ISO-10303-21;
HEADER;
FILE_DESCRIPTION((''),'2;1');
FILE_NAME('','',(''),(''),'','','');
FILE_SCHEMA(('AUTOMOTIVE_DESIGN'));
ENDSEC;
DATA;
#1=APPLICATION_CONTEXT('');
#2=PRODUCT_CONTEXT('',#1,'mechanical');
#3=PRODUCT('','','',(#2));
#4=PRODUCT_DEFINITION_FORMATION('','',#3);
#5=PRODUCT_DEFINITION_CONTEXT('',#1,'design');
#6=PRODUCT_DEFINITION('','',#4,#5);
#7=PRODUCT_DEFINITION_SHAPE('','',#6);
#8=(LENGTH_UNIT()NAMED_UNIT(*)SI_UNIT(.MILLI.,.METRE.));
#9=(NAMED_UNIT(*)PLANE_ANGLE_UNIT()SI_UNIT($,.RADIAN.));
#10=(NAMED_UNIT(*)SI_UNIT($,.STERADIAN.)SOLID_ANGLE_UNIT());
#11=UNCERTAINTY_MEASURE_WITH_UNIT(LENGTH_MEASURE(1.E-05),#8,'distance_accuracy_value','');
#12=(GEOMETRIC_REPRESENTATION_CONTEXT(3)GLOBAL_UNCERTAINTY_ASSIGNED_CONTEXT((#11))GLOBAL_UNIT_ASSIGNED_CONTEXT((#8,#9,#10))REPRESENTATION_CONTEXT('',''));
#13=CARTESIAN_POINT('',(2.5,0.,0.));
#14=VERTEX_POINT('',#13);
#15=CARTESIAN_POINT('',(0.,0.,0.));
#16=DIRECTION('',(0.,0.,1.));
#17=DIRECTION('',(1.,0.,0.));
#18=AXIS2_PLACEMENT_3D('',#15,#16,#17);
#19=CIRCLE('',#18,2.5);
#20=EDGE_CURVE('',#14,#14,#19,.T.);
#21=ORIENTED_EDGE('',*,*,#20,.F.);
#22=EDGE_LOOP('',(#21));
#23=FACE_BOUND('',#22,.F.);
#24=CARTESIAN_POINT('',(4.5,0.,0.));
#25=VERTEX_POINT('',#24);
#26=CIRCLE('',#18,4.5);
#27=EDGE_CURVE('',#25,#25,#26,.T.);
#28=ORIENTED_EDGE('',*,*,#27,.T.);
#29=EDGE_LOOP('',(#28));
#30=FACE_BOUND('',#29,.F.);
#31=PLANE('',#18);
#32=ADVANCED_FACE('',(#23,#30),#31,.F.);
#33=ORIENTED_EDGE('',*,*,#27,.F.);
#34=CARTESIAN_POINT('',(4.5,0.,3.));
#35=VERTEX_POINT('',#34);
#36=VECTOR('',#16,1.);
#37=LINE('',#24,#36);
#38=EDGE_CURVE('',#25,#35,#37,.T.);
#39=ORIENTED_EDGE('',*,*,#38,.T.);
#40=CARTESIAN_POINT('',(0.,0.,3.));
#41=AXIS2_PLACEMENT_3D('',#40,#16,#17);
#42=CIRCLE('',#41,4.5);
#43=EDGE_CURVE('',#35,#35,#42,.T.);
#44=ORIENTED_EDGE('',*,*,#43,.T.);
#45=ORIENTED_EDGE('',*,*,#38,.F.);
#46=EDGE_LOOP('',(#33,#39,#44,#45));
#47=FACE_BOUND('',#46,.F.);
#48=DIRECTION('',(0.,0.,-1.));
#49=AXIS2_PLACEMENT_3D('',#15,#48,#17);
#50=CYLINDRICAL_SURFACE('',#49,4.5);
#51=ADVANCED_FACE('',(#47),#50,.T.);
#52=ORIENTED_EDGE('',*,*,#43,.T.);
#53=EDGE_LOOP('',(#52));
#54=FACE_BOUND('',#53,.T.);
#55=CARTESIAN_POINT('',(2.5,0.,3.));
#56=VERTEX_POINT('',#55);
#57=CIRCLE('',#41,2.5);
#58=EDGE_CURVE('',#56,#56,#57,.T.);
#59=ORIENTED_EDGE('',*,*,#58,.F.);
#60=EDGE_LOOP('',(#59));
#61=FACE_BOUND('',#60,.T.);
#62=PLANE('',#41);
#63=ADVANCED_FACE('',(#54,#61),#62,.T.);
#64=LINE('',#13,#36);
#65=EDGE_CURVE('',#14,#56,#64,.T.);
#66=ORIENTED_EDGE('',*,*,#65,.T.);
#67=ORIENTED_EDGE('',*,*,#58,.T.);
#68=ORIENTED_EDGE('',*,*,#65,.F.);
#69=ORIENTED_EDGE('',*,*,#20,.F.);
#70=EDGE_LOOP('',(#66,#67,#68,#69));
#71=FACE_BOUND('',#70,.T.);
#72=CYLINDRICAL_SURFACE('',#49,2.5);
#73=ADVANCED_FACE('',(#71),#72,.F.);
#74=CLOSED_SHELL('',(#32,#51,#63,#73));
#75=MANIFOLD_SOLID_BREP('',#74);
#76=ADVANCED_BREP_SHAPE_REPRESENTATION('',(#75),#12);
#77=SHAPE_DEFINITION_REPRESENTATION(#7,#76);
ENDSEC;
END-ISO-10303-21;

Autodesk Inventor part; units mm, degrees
ref_plane "YZ Plane" through (0, 0, 0) normal (1, 0, 0) x (0, 1, 0)
ref_plane "XZ Plane" through (0, 0, 0) normal (0, 1, 0) x (-1, 0, 0)
ref_plane "XY Plane" through (0, 0, 0) normal (0, 0, 1) x (1, 0, 0)
sketch "Sketch1" plane through (0, 0, 0) normal (0, 0, 1) x (1, 0, 0)
  circle A0 centre (0, 0) radius 2.5
  circle A1 centre (0, 0) radius 4.5
  dimension "d0" = 2
  dimension "d1" = 5
extrude "Extrusion1" add sketch "Sketch1" along normal blind 3
properties part number "NylonSpacerM5x3mm"
